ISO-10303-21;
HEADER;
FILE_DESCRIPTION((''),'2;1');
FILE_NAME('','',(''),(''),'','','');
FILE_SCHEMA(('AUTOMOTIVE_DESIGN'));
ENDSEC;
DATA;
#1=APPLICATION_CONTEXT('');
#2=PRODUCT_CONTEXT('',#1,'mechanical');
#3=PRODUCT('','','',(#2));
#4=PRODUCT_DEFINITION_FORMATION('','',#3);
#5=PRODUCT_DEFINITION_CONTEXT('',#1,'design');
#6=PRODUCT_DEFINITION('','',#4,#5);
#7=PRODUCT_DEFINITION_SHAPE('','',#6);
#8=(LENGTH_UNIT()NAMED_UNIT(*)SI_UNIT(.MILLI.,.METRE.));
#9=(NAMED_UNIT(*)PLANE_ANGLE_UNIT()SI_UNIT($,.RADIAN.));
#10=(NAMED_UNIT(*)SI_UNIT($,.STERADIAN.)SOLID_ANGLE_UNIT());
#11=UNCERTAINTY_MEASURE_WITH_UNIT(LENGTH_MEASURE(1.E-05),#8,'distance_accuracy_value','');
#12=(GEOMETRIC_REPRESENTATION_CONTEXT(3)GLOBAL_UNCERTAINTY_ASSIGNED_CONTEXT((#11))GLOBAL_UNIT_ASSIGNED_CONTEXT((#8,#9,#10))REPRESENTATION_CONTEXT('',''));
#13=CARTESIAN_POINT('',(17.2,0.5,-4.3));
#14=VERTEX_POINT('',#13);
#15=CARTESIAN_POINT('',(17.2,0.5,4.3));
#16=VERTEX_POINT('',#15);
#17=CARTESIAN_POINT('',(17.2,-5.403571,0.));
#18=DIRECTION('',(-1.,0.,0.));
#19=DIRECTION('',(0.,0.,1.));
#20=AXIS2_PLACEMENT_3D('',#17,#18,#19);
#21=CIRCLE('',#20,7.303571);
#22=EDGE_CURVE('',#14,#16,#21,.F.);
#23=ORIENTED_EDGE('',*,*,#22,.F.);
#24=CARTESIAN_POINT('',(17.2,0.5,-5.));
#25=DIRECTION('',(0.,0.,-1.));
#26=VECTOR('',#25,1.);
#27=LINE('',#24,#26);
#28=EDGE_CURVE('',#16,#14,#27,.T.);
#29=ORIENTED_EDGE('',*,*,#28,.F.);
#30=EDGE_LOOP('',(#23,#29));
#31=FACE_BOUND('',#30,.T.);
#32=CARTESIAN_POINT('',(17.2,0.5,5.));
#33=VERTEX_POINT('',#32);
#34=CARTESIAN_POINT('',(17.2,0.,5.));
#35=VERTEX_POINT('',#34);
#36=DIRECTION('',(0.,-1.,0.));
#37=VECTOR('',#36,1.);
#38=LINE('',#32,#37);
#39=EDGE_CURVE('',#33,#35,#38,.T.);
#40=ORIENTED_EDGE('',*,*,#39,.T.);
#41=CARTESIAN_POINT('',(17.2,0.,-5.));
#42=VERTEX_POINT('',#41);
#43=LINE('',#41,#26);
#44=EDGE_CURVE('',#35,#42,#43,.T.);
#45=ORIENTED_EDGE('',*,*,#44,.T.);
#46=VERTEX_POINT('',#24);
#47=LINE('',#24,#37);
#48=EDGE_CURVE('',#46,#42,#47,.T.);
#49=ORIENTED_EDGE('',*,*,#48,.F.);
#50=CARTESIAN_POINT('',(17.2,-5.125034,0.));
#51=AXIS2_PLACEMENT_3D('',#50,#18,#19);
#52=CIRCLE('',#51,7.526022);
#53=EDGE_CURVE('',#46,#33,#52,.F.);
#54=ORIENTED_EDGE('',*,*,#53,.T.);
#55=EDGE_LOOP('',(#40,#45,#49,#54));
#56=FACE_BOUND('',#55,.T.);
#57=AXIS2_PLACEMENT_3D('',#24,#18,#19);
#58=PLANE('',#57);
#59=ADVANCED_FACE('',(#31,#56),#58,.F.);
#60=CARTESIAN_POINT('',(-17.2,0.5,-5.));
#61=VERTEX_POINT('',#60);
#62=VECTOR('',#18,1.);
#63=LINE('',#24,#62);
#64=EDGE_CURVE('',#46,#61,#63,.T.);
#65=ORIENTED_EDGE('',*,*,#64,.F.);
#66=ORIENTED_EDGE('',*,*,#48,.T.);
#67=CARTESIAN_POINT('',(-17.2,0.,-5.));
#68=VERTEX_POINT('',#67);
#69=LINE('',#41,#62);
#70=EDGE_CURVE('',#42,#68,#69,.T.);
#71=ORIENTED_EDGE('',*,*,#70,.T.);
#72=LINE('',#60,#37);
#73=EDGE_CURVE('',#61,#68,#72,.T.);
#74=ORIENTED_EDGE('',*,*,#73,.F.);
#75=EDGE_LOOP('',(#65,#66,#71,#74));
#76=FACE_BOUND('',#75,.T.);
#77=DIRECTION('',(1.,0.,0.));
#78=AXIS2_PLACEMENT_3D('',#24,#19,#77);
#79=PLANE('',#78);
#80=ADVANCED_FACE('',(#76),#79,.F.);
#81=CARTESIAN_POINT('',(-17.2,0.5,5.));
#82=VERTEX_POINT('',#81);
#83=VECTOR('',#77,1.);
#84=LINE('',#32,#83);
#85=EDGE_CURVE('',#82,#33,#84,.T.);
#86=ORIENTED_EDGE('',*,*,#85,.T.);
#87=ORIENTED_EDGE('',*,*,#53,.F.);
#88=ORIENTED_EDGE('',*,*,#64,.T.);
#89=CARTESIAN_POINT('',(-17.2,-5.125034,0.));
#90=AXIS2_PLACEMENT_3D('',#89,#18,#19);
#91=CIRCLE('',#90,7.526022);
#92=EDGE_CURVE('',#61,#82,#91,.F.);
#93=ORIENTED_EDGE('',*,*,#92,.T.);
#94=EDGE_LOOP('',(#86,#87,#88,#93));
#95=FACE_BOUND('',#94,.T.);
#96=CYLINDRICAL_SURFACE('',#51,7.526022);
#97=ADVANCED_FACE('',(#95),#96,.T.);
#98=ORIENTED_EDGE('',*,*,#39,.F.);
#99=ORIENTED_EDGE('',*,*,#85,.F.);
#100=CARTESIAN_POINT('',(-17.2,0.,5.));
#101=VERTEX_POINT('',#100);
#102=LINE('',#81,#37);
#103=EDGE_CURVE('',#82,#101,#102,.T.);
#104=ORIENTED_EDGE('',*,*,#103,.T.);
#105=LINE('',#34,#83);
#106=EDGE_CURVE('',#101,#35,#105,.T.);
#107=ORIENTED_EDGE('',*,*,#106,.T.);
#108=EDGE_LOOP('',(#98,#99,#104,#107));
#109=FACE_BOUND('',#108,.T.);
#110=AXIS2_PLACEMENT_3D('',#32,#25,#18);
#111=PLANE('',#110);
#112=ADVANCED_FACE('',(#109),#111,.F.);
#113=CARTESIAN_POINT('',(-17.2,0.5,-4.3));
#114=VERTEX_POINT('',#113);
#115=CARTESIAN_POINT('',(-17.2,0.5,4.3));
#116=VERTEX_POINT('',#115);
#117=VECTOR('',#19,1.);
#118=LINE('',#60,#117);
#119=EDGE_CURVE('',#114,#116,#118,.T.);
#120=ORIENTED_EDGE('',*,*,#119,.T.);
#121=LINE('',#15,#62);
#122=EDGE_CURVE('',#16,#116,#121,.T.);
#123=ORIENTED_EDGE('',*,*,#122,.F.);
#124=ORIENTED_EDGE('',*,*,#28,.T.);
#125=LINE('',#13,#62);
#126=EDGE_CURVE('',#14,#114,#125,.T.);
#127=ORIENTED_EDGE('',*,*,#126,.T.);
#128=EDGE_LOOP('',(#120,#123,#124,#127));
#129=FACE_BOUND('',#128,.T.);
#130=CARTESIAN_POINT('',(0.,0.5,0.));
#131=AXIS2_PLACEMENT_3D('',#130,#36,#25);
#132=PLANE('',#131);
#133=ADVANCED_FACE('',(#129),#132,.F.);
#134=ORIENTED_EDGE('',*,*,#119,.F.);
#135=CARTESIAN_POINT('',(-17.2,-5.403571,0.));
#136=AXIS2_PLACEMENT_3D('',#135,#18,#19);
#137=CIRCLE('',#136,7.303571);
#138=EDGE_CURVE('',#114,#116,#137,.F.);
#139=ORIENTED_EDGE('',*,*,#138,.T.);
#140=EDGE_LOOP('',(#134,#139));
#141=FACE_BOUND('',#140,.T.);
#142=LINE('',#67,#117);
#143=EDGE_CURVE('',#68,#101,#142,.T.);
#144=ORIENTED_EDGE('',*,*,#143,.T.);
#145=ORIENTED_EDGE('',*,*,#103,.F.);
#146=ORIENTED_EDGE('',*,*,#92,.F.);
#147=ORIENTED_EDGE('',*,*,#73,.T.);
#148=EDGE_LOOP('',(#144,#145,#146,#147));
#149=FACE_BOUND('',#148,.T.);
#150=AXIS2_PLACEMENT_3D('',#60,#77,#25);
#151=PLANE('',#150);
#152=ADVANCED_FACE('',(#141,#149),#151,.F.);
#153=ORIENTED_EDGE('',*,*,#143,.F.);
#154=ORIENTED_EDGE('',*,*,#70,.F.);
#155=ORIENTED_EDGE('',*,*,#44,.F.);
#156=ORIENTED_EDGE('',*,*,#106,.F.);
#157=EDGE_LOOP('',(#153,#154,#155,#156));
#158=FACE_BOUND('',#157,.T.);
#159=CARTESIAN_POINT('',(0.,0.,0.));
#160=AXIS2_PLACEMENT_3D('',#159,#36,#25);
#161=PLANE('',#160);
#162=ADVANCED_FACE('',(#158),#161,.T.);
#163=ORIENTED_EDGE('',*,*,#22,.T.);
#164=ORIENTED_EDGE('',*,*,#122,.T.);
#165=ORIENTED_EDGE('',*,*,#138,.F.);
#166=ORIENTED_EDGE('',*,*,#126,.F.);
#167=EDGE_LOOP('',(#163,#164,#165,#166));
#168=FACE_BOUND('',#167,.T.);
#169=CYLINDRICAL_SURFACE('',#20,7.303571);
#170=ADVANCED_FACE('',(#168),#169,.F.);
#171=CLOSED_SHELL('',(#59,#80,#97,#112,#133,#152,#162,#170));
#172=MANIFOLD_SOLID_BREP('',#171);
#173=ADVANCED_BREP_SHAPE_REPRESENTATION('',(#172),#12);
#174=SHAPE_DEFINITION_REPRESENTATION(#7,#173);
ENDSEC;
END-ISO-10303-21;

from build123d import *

# Parameters (mm, degrees)
SKETCH_1_W      = 34.4
SKETCH_1_H      = 10
EXTRUDE_1_DEPTH = 0.5
EXTRUDE_2_DEPTH = 34.4


with BuildPart() as part:
    # Эскиз1 → Бобышка-Вытянуть1 (new body)
    with BuildSketch(Plane(origin=(0, 0, 0), x_dir=(1, 0, 0), z_dir=(0, 1, 0))):
        Rectangle(SKETCH_1_W, SKETCH_1_H)
    extrude(amount=EXTRUDE_1_DEPTH)

    # Эскиз2 → Бобышка-Вытянуть2 (add, through all)
    with BuildSketch(Plane.ZY.offset(17.2)):
        with BuildLine():
            ThreePointArc((5, 0.5), (0, 2.400988005), (-5, 0.5))
            Line((-5, 0.5), (-4.3, 0.5))
            ThreePointArc((-4.3, 0.5), (0, 1.9), (4.3, 0.5))
            Line((4.3, 0.5), (5, 0.5))
        make_face()
    extrude(amount=-EXTRUDE_2_DEPTH)


solid = part.part
